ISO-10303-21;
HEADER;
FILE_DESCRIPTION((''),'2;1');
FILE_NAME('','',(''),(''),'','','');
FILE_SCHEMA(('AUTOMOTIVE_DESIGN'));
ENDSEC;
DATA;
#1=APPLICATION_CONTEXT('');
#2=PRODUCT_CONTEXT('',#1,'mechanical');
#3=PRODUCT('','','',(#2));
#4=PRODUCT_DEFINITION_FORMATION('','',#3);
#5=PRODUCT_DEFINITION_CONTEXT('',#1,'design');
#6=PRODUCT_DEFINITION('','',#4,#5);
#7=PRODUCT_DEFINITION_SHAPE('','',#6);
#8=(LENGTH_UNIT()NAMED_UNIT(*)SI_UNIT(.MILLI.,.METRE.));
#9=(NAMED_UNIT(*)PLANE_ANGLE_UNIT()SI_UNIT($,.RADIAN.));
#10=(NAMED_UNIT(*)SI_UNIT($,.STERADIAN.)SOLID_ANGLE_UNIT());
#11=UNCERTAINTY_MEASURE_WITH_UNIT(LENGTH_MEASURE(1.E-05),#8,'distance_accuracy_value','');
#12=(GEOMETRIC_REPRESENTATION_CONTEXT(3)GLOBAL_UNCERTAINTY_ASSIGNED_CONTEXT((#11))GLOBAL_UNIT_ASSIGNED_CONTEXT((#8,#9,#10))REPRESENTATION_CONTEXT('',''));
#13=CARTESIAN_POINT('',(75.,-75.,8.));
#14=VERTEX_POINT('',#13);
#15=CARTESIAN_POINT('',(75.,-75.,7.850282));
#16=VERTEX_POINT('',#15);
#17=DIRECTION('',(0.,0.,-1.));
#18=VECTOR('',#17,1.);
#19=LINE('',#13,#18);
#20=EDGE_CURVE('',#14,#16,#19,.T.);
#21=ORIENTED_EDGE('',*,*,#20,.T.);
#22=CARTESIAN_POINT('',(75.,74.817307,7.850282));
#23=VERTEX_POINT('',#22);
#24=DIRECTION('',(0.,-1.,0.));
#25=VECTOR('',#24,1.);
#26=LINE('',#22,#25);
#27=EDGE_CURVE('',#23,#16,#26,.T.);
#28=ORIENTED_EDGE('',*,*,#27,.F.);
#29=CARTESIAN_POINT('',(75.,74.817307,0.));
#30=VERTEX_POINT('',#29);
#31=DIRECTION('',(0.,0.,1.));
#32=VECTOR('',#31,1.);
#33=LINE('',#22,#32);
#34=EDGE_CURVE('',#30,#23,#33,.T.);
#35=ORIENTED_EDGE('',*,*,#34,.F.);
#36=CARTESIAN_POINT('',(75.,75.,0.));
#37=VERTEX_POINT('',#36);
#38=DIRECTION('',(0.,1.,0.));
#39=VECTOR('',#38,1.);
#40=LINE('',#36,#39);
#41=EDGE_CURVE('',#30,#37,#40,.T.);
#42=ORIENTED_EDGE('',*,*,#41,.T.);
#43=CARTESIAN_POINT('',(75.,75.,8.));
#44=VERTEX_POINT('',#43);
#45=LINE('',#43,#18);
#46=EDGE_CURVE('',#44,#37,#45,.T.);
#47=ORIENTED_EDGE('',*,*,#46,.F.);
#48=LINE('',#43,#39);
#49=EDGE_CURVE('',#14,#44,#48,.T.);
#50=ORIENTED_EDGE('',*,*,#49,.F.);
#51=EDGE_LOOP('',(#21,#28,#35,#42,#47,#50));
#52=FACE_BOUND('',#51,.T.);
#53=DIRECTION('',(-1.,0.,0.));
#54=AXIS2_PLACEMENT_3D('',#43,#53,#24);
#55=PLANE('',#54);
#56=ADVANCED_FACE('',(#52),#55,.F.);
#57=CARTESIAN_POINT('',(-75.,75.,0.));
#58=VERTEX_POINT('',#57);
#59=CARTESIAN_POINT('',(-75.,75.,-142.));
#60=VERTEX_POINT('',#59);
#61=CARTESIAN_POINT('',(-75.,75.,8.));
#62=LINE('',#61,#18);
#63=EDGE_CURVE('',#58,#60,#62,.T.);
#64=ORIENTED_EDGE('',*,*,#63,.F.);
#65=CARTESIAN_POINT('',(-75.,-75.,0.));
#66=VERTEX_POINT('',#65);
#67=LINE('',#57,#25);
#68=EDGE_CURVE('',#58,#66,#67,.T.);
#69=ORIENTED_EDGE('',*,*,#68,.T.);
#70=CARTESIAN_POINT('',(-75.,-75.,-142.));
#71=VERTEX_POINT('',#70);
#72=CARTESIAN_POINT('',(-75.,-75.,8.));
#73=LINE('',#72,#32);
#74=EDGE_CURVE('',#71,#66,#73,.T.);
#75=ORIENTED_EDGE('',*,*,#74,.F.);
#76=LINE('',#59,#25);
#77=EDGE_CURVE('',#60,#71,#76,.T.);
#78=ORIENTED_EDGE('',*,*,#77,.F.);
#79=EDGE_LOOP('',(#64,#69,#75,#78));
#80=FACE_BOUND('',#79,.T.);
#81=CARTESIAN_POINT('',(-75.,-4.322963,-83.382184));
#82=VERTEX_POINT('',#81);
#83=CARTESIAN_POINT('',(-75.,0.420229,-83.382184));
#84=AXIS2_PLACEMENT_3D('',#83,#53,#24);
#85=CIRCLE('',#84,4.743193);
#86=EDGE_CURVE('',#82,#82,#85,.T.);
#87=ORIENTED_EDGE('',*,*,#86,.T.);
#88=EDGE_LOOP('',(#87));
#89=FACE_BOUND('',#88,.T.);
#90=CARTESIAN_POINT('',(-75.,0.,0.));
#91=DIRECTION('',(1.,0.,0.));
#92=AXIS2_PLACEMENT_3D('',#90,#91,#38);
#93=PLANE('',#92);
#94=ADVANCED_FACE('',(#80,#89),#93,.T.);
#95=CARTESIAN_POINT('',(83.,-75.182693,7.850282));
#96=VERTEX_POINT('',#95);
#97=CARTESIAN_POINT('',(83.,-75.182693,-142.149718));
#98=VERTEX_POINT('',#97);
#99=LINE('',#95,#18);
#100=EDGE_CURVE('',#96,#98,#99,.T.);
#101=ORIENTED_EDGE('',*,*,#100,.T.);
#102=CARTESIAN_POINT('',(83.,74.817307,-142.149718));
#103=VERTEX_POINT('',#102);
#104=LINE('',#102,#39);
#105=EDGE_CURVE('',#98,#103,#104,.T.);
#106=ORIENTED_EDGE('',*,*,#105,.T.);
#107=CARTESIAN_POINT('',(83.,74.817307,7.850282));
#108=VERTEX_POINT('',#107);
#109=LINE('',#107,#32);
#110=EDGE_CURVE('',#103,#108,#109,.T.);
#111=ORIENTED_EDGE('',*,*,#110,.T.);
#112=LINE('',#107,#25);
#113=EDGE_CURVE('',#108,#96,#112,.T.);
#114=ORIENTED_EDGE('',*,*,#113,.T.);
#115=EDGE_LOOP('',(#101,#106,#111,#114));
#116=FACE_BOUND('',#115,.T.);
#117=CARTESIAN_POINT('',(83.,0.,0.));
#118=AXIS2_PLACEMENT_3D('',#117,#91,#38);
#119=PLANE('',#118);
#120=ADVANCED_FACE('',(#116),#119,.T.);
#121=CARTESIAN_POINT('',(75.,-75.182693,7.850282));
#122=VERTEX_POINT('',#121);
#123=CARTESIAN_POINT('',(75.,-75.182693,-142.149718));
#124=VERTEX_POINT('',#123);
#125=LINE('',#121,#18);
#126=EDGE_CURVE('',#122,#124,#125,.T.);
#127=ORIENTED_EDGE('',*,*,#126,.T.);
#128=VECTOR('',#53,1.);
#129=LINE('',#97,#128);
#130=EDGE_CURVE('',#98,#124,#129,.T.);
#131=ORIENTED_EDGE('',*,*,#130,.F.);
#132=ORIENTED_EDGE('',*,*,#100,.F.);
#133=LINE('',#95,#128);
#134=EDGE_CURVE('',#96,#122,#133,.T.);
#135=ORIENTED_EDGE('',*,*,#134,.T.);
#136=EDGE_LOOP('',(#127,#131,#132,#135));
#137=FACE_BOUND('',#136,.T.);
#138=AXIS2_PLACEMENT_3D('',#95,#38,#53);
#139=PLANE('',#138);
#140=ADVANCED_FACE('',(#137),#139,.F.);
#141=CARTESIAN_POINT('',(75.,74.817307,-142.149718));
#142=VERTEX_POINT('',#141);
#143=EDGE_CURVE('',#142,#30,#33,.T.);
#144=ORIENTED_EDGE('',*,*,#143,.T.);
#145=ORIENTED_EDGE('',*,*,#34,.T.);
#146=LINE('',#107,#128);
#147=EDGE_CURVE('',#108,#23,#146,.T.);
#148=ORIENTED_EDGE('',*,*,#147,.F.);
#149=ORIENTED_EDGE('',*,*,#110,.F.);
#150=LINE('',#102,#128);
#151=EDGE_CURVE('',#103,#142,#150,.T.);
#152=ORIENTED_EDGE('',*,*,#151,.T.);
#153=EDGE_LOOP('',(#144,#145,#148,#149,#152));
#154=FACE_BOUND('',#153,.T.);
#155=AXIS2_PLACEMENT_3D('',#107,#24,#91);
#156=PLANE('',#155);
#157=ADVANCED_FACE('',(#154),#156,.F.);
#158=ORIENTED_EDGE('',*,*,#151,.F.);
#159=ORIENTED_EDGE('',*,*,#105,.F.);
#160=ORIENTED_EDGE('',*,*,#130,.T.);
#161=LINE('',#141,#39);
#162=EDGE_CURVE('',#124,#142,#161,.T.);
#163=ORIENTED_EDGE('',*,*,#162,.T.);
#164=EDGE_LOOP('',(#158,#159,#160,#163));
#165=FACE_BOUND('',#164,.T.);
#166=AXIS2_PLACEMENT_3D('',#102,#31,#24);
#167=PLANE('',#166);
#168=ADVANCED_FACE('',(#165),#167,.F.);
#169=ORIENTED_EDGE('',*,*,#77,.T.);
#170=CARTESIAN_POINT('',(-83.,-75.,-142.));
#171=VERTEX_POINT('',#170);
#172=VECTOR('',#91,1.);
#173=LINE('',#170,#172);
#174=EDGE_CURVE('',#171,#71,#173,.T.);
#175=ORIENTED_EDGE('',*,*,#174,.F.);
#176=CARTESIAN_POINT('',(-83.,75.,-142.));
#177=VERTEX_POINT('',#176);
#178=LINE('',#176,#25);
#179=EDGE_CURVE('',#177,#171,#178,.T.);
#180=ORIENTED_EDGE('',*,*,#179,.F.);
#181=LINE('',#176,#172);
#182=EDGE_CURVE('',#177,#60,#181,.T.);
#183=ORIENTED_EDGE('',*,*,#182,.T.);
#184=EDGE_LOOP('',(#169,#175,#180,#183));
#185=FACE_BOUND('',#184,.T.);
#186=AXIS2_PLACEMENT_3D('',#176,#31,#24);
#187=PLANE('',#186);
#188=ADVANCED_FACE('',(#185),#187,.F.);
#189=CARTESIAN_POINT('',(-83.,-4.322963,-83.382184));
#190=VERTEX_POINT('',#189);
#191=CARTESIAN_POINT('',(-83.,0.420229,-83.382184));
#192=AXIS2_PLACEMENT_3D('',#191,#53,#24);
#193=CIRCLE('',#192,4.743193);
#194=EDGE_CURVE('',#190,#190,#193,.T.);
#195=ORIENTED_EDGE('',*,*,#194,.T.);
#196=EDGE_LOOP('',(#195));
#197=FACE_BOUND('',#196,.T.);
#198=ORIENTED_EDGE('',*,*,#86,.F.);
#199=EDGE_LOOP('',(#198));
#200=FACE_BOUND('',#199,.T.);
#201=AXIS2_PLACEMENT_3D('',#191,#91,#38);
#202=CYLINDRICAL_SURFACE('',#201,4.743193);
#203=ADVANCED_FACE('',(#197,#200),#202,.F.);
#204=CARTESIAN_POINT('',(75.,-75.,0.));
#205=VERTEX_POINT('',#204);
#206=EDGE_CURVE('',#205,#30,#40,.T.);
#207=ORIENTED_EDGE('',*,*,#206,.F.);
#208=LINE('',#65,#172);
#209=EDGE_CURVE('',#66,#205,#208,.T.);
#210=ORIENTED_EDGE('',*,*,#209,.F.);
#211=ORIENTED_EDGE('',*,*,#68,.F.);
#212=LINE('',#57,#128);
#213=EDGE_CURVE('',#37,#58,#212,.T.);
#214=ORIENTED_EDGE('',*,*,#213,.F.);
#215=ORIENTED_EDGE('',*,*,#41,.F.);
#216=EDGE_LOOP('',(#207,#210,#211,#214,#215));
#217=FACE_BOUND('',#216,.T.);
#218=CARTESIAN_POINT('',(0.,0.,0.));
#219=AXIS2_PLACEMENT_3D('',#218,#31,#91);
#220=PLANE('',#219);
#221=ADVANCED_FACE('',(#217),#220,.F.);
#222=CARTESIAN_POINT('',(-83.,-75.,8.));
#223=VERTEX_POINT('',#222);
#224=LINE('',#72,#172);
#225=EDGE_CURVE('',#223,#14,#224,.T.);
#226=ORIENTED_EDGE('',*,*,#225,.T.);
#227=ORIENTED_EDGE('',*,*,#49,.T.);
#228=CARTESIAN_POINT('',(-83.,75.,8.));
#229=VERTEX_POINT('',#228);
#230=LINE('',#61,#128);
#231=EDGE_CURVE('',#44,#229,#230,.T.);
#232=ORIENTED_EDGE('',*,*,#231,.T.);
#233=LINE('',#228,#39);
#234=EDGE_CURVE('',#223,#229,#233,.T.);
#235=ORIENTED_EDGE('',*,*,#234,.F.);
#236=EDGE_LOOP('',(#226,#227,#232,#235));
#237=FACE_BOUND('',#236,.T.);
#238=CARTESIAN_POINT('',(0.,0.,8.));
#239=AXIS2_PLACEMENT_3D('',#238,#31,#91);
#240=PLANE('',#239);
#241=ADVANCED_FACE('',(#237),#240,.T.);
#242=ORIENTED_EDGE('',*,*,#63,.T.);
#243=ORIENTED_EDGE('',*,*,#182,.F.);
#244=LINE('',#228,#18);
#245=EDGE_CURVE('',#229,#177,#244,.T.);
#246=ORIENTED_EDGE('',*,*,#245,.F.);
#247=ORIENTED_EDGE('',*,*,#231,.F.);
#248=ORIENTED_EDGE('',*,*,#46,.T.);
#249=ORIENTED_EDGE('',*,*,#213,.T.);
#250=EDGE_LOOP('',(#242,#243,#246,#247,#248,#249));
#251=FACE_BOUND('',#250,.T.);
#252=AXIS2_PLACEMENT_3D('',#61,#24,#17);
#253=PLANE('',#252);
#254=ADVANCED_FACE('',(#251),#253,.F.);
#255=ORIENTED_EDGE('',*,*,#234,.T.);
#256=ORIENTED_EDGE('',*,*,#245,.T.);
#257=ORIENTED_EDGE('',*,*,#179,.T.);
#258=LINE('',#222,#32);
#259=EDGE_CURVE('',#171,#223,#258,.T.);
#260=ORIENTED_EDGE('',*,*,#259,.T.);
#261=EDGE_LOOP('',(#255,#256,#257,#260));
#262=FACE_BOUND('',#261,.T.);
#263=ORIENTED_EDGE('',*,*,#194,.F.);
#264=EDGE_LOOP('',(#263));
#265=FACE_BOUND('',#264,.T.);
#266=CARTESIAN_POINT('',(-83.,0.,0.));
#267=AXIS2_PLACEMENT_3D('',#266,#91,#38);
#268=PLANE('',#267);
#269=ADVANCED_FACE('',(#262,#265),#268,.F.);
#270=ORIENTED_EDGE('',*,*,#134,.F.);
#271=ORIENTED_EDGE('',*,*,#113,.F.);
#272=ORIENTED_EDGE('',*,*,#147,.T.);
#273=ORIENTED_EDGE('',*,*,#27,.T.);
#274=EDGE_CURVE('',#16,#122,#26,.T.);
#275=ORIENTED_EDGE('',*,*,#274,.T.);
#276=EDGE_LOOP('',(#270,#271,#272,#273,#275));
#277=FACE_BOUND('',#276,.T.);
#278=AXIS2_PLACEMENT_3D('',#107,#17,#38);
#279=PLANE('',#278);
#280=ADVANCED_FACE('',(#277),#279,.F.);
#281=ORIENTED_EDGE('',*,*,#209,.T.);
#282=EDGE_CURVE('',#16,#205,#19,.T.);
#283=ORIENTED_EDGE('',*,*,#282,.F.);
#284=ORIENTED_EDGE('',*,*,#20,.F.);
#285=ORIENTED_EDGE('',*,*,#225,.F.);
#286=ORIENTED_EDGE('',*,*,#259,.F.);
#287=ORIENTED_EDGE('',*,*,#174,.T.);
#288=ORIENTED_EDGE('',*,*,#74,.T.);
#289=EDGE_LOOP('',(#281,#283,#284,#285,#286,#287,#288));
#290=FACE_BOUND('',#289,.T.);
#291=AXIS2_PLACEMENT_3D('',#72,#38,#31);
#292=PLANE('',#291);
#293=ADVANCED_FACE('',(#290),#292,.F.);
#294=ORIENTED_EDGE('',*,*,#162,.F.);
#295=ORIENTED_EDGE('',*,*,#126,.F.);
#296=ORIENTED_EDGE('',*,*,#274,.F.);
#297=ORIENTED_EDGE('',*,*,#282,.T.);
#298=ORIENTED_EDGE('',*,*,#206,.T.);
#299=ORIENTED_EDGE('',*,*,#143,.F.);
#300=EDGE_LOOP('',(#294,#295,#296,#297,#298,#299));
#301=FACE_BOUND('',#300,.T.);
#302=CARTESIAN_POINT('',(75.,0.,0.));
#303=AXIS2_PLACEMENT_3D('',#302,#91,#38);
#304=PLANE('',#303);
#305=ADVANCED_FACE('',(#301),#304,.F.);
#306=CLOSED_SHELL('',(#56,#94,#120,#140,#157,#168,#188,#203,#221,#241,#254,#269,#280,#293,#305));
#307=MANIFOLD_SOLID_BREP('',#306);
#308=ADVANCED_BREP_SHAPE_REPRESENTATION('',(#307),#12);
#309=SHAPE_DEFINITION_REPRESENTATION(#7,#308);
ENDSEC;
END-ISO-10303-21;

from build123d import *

# Parameters (mm, degrees)
SKETCH1_W           = 150
SKETCH1_H           = 150
BOSS_EXTRUDE1_DEPTH = 8
SKETCH3_W           = 150
SKETCH3_H           = 150
BOSS_EXTRUDE2_DEPTH = 8
SKETCH4_W           = 150
SKETCH4_H           = 150
SKETCH4_R           = 4.743192734
BOSS_EXTRUDE3_DEPTH = 8


with BuildPart() as part:
    # Sketch1 → Boss-Extrude1 (new body)
    with BuildSketch(Plane.XY):
        Rectangle(SKETCH1_W, SKETCH1_H)
    extrude(amount=BOSS_EXTRUDE1_DEPTH)

    # Sketch3 → Boss-Extrude2 (add)
    with BuildSketch(Plane(origin=(75, 0, 0), x_dir=(0, 0, -1), z_dir=(1, 0, 0))):
        with Locations((67.149717674, -0.182693133)):
            Rectangle(SKETCH3_W, SKETCH3_H)
    extrude(amount=BOSS_EXTRUDE2_DEPTH)

    # Sketch4 → Boss-Extrude3 (add)
    with BuildSketch(Plane.ZY.offset(75)):
        with Locations((-67, 0)):
            Rectangle(SKETCH4_W, SKETCH4_H)
        with Locations(Location((-83.382184019, 0.420229312, 0), (0, 0, 270))):
            Circle(SKETCH4_R, mode=Mode.SUBTRACT)
    extrude(amount=BOSS_EXTRUDE3_DEPTH)


solid = part.part
